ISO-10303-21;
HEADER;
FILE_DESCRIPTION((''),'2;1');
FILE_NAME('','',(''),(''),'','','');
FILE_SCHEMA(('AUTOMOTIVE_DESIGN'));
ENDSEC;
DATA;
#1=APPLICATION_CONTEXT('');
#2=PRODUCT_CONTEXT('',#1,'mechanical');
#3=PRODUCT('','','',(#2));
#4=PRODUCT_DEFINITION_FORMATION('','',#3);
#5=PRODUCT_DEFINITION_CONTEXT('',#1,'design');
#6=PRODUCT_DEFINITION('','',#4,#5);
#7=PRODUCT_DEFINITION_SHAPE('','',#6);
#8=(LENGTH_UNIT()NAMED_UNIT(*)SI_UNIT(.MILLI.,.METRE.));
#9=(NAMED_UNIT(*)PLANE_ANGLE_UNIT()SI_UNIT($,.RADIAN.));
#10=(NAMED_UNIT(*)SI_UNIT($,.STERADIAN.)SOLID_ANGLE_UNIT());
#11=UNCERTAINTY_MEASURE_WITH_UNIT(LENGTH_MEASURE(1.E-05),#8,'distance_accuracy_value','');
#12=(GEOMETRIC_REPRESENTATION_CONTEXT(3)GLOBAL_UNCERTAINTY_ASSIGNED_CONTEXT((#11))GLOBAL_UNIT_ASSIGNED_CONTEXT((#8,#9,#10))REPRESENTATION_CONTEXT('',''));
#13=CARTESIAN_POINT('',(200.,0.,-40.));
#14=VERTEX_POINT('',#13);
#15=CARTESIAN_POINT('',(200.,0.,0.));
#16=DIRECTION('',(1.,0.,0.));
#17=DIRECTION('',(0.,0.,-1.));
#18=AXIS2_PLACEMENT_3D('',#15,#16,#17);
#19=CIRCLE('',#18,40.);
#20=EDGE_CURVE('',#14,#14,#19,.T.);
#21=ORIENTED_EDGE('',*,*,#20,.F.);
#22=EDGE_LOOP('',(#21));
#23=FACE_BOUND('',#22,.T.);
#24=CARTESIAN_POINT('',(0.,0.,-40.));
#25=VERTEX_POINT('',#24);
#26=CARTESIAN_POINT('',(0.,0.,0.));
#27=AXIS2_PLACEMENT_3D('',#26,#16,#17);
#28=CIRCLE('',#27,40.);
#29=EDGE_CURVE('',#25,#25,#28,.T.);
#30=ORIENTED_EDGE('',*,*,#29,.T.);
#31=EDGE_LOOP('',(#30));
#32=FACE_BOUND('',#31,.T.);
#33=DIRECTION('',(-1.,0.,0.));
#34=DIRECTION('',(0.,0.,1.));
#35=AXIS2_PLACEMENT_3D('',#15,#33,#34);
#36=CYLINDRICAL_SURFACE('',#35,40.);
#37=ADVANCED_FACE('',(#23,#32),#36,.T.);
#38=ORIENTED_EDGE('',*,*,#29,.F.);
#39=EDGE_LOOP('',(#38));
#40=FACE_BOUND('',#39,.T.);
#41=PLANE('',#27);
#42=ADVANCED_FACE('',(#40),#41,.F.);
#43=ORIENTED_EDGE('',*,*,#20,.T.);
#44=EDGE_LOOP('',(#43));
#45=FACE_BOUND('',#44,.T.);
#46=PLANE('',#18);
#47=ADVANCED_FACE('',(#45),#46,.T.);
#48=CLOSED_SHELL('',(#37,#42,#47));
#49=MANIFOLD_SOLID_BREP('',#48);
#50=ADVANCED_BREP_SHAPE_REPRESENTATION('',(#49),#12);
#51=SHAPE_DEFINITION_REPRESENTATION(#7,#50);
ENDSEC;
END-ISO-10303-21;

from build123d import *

# Parameters (mm, degrees)
RIVETPROFILE_R      = 40
BOSS_EXTRUDE1_DEPTH = 200


with BuildPart() as part:
    # RivetProfile → Boss-Extrude1 (new body)
    with BuildSketch(Plane(origin=(0, 0, 0), x_dir=(0, 0, -1), z_dir=(1, 0, 0))):
        Circle(RIVETPROFILE_R)
    extrude(amount=BOSS_EXTRUDE1_DEPTH)


solid = part.part
